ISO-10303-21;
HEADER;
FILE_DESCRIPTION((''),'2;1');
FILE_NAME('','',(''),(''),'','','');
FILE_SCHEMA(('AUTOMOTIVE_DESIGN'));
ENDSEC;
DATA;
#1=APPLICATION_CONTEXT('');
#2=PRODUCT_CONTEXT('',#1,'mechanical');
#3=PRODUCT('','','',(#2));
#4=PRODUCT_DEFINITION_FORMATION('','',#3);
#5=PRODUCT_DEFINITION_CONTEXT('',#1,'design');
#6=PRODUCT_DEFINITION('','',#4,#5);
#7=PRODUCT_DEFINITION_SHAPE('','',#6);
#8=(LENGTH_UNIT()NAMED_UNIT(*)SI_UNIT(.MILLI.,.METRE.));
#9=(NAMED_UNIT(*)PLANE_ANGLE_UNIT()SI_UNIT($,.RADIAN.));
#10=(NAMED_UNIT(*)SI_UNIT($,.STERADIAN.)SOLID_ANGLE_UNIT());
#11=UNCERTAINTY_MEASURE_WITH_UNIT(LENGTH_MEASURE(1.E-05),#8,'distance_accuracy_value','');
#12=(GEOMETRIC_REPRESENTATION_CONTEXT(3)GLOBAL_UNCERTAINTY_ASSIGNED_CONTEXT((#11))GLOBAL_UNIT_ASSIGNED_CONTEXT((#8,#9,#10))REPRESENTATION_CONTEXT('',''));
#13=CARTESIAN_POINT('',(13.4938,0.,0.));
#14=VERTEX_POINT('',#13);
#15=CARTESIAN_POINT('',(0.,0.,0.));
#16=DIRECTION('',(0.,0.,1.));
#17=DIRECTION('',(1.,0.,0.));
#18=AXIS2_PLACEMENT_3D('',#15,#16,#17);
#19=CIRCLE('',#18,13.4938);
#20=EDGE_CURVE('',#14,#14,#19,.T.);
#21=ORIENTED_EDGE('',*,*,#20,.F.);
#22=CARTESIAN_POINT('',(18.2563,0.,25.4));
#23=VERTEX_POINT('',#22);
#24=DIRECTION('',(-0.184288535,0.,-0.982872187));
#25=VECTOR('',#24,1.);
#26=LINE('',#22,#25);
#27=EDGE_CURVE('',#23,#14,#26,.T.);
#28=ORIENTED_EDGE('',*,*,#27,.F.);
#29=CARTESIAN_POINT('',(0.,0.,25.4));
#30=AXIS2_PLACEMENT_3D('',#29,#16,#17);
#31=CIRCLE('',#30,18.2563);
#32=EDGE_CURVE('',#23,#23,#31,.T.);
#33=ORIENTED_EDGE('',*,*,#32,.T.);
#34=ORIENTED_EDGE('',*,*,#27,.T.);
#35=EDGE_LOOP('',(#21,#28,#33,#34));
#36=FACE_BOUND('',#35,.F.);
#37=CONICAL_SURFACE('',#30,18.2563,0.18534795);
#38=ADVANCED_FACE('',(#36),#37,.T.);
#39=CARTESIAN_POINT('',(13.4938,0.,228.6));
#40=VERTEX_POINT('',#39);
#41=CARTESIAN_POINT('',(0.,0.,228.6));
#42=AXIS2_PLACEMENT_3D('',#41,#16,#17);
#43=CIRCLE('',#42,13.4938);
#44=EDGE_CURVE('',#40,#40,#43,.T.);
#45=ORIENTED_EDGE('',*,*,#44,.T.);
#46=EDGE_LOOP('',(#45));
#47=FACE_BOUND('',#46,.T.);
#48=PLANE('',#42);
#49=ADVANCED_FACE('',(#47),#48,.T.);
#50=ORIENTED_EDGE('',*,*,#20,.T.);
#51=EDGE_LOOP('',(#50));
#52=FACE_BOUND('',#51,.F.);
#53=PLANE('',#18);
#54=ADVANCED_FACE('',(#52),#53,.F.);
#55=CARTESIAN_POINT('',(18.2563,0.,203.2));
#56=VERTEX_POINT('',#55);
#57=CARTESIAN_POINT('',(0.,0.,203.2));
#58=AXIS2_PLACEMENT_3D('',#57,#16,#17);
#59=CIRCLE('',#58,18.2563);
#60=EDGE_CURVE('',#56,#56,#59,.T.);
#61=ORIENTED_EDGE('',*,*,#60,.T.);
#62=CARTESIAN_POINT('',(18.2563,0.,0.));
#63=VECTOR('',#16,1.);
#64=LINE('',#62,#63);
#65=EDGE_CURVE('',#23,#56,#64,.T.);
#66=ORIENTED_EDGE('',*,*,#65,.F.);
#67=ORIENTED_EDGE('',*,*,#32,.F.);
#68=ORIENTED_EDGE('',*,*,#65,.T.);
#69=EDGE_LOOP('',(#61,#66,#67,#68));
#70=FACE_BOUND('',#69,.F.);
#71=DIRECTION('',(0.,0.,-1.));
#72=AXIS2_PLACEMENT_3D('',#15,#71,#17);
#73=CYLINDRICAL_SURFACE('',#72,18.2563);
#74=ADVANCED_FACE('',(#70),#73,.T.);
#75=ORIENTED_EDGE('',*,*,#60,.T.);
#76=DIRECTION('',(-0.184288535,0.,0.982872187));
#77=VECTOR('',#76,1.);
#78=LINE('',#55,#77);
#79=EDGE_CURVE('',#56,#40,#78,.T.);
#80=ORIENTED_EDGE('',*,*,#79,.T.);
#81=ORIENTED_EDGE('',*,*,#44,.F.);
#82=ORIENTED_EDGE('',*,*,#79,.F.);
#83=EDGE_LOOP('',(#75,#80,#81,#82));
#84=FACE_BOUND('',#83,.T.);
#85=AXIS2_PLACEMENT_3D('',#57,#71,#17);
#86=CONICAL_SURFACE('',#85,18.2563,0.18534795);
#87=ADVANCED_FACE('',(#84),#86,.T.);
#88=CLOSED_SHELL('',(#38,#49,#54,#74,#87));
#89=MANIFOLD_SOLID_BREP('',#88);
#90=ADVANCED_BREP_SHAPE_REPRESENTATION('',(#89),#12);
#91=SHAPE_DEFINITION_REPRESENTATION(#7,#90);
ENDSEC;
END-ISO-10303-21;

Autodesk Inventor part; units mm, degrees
ref_plane "YZ Plane" through (0, 0, 0) normal (1, 0, 0) x (0, 1, 0)
ref_plane "XZ Plane" through (0, 0, 0) normal (0, 1, 0) x (-1, 0, 0)
ref_plane "XY Plane" through (0, 0, 0) normal (0, 0, 1) x (1, 0, 0)
sketch "Sketch1" plane through (0, 0, 0) normal (0, 0, 1) x (1, 0, 0)
  circle A0 centre (0, 0) radius 18.2563
  dimension "d0" = 36.5125
extrude "Extrusion1" add sketch "Sketch1" along normal blind 228.6
chamfer "Chamfer1" distance 25.4 distance2 4.7625 1 edges at (-18.2563, 0, 228.6) measured on face at (18.1971, -1.469, 152.4)
chamfer "Chamfer2" distance 25.4 distance2 4.7625 1 edges at (-18.2563, 0, 0) measured on face at (18.0198, -2.9285, 135.4667)
properties part number "GE-12027-02"
